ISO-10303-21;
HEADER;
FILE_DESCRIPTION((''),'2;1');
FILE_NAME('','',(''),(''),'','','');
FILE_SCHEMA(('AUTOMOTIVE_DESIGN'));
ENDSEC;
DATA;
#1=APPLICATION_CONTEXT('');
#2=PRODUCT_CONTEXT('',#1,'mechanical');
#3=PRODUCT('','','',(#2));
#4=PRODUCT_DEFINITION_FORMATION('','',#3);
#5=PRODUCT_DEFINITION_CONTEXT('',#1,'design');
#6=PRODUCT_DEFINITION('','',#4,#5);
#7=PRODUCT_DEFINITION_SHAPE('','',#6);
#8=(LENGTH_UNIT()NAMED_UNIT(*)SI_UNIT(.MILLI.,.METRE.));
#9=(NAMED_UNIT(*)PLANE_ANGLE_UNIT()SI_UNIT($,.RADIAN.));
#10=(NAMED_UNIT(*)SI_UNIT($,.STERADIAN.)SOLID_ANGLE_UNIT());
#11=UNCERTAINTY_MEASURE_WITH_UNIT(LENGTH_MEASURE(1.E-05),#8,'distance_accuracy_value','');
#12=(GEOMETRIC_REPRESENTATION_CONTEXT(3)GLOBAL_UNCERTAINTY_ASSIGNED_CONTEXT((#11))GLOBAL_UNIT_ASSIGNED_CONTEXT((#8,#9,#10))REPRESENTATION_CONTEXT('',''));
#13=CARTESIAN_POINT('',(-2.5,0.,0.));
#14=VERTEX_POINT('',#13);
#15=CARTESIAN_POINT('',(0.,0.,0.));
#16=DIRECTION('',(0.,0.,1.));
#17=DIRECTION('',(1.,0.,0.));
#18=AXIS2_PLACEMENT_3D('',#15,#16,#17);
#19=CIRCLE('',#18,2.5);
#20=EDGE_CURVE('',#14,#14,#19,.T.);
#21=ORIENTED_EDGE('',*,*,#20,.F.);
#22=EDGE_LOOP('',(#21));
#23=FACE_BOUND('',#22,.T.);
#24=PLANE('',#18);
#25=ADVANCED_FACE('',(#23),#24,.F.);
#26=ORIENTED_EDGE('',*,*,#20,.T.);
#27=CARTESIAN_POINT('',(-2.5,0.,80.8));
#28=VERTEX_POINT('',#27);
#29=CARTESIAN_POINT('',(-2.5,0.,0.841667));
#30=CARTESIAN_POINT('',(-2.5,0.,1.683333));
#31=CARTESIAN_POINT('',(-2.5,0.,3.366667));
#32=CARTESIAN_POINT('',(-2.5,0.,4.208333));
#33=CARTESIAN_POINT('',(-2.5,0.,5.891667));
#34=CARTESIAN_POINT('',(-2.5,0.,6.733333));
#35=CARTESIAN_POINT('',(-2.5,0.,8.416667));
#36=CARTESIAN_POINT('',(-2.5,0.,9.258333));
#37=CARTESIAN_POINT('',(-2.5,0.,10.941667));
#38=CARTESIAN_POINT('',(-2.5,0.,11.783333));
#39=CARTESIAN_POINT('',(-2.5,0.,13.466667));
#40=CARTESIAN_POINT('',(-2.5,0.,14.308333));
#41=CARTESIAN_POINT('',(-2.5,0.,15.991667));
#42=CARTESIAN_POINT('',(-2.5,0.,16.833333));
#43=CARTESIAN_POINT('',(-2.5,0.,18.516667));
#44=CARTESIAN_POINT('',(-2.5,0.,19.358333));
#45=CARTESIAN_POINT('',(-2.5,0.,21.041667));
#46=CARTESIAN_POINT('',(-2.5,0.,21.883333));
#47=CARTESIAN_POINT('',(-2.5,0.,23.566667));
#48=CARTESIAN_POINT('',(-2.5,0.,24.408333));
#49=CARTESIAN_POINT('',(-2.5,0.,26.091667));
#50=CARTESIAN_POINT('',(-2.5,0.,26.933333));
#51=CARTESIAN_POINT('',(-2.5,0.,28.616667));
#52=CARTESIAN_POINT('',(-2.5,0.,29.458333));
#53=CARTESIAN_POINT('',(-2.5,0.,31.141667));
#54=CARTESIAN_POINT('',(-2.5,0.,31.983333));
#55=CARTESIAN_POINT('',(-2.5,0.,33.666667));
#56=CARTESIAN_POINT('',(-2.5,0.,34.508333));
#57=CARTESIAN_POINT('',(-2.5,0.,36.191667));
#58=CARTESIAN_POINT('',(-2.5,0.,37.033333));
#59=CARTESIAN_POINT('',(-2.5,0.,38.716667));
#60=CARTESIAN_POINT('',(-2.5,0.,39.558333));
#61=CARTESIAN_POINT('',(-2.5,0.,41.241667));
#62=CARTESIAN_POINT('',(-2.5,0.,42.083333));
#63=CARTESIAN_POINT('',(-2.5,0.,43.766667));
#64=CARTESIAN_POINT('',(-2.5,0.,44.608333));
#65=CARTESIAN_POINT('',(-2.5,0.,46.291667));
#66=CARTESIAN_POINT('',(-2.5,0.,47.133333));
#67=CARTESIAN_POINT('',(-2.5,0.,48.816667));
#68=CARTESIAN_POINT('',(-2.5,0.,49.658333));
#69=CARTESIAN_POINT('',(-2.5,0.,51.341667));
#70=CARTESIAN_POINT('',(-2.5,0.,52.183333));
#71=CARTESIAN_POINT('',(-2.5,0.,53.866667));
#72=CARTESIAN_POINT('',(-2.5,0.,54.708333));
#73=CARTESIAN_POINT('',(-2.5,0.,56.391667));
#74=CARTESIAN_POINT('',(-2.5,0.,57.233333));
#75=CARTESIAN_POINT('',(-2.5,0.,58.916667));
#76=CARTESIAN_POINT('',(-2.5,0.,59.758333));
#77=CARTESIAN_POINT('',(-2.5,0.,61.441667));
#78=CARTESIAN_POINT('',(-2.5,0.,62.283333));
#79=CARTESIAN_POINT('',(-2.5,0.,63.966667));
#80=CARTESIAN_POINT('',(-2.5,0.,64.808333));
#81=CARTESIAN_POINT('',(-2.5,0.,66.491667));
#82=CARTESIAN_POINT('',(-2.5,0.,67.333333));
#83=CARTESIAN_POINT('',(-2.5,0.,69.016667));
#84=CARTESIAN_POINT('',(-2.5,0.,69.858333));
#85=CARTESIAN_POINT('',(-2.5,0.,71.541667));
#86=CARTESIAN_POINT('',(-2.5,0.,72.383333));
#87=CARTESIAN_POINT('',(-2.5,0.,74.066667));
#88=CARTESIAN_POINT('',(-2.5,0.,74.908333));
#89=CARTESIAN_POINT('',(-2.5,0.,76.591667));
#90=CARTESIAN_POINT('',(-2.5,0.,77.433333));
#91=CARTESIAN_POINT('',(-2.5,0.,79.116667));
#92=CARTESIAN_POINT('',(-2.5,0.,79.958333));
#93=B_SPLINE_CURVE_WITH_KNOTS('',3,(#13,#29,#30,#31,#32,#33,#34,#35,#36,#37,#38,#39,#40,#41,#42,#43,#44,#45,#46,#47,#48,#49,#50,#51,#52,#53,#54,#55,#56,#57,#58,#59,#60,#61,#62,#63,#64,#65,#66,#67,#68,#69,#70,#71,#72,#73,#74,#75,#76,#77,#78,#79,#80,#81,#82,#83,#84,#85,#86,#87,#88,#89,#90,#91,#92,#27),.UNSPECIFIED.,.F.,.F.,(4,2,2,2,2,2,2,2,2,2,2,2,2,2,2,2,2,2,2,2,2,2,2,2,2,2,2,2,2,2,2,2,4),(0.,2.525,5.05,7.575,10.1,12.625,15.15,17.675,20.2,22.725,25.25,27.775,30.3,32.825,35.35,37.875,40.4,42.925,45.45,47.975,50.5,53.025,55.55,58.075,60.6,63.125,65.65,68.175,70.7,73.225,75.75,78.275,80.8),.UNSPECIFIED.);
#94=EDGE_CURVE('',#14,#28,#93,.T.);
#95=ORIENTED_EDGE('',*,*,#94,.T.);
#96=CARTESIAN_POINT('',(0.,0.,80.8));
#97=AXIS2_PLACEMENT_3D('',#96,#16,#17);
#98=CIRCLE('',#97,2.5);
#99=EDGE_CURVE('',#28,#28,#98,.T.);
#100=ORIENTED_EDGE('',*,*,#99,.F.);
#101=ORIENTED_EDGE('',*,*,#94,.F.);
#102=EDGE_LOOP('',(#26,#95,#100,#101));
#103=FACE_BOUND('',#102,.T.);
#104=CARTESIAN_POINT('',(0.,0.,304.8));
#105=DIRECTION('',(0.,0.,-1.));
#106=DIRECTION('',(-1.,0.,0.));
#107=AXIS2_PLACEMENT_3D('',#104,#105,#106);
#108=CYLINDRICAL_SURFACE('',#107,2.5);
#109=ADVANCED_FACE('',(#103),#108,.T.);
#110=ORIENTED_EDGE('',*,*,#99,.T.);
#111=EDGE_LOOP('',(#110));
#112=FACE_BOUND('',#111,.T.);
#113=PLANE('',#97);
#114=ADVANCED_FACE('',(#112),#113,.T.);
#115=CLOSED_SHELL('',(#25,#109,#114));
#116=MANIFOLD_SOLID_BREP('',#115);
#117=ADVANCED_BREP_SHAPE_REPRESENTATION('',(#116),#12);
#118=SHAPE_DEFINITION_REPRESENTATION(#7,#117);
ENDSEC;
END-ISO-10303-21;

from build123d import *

# Parameters (mm, degrees)
SKETCH1_R           = 2.5
BOSS_EXTRUDE1_DEPTH = 304.8
CUT_EXTRUDE1_START  = -224
SKETCH2_R           = 2.5
CUT_EXTRUDE1_DEPTH  = 224


with BuildPart() as part:
    # Sketch1 → Boss-Extrude1 (new body)
    with BuildSketch(Plane.XY):
        with Locations(Location((0, 0, 0), (0, 0, 180))):
            Circle(SKETCH1_R)
    extrude(amount=BOSS_EXTRUDE1_DEPTH)

    # Sketch2 → Cut-Extrude1 (cut)
    with BuildSketch(Plane.XY.offset(304.8).offset(CUT_EXTRUDE1_START)):
        with Locations(Location((0, 0, 0), (0, 0, 180))):
            Circle(SKETCH2_R)
    extrude(amount=CUT_EXTRUDE1_DEPTH, mode=Mode.SUBTRACT)


solid = part.part
